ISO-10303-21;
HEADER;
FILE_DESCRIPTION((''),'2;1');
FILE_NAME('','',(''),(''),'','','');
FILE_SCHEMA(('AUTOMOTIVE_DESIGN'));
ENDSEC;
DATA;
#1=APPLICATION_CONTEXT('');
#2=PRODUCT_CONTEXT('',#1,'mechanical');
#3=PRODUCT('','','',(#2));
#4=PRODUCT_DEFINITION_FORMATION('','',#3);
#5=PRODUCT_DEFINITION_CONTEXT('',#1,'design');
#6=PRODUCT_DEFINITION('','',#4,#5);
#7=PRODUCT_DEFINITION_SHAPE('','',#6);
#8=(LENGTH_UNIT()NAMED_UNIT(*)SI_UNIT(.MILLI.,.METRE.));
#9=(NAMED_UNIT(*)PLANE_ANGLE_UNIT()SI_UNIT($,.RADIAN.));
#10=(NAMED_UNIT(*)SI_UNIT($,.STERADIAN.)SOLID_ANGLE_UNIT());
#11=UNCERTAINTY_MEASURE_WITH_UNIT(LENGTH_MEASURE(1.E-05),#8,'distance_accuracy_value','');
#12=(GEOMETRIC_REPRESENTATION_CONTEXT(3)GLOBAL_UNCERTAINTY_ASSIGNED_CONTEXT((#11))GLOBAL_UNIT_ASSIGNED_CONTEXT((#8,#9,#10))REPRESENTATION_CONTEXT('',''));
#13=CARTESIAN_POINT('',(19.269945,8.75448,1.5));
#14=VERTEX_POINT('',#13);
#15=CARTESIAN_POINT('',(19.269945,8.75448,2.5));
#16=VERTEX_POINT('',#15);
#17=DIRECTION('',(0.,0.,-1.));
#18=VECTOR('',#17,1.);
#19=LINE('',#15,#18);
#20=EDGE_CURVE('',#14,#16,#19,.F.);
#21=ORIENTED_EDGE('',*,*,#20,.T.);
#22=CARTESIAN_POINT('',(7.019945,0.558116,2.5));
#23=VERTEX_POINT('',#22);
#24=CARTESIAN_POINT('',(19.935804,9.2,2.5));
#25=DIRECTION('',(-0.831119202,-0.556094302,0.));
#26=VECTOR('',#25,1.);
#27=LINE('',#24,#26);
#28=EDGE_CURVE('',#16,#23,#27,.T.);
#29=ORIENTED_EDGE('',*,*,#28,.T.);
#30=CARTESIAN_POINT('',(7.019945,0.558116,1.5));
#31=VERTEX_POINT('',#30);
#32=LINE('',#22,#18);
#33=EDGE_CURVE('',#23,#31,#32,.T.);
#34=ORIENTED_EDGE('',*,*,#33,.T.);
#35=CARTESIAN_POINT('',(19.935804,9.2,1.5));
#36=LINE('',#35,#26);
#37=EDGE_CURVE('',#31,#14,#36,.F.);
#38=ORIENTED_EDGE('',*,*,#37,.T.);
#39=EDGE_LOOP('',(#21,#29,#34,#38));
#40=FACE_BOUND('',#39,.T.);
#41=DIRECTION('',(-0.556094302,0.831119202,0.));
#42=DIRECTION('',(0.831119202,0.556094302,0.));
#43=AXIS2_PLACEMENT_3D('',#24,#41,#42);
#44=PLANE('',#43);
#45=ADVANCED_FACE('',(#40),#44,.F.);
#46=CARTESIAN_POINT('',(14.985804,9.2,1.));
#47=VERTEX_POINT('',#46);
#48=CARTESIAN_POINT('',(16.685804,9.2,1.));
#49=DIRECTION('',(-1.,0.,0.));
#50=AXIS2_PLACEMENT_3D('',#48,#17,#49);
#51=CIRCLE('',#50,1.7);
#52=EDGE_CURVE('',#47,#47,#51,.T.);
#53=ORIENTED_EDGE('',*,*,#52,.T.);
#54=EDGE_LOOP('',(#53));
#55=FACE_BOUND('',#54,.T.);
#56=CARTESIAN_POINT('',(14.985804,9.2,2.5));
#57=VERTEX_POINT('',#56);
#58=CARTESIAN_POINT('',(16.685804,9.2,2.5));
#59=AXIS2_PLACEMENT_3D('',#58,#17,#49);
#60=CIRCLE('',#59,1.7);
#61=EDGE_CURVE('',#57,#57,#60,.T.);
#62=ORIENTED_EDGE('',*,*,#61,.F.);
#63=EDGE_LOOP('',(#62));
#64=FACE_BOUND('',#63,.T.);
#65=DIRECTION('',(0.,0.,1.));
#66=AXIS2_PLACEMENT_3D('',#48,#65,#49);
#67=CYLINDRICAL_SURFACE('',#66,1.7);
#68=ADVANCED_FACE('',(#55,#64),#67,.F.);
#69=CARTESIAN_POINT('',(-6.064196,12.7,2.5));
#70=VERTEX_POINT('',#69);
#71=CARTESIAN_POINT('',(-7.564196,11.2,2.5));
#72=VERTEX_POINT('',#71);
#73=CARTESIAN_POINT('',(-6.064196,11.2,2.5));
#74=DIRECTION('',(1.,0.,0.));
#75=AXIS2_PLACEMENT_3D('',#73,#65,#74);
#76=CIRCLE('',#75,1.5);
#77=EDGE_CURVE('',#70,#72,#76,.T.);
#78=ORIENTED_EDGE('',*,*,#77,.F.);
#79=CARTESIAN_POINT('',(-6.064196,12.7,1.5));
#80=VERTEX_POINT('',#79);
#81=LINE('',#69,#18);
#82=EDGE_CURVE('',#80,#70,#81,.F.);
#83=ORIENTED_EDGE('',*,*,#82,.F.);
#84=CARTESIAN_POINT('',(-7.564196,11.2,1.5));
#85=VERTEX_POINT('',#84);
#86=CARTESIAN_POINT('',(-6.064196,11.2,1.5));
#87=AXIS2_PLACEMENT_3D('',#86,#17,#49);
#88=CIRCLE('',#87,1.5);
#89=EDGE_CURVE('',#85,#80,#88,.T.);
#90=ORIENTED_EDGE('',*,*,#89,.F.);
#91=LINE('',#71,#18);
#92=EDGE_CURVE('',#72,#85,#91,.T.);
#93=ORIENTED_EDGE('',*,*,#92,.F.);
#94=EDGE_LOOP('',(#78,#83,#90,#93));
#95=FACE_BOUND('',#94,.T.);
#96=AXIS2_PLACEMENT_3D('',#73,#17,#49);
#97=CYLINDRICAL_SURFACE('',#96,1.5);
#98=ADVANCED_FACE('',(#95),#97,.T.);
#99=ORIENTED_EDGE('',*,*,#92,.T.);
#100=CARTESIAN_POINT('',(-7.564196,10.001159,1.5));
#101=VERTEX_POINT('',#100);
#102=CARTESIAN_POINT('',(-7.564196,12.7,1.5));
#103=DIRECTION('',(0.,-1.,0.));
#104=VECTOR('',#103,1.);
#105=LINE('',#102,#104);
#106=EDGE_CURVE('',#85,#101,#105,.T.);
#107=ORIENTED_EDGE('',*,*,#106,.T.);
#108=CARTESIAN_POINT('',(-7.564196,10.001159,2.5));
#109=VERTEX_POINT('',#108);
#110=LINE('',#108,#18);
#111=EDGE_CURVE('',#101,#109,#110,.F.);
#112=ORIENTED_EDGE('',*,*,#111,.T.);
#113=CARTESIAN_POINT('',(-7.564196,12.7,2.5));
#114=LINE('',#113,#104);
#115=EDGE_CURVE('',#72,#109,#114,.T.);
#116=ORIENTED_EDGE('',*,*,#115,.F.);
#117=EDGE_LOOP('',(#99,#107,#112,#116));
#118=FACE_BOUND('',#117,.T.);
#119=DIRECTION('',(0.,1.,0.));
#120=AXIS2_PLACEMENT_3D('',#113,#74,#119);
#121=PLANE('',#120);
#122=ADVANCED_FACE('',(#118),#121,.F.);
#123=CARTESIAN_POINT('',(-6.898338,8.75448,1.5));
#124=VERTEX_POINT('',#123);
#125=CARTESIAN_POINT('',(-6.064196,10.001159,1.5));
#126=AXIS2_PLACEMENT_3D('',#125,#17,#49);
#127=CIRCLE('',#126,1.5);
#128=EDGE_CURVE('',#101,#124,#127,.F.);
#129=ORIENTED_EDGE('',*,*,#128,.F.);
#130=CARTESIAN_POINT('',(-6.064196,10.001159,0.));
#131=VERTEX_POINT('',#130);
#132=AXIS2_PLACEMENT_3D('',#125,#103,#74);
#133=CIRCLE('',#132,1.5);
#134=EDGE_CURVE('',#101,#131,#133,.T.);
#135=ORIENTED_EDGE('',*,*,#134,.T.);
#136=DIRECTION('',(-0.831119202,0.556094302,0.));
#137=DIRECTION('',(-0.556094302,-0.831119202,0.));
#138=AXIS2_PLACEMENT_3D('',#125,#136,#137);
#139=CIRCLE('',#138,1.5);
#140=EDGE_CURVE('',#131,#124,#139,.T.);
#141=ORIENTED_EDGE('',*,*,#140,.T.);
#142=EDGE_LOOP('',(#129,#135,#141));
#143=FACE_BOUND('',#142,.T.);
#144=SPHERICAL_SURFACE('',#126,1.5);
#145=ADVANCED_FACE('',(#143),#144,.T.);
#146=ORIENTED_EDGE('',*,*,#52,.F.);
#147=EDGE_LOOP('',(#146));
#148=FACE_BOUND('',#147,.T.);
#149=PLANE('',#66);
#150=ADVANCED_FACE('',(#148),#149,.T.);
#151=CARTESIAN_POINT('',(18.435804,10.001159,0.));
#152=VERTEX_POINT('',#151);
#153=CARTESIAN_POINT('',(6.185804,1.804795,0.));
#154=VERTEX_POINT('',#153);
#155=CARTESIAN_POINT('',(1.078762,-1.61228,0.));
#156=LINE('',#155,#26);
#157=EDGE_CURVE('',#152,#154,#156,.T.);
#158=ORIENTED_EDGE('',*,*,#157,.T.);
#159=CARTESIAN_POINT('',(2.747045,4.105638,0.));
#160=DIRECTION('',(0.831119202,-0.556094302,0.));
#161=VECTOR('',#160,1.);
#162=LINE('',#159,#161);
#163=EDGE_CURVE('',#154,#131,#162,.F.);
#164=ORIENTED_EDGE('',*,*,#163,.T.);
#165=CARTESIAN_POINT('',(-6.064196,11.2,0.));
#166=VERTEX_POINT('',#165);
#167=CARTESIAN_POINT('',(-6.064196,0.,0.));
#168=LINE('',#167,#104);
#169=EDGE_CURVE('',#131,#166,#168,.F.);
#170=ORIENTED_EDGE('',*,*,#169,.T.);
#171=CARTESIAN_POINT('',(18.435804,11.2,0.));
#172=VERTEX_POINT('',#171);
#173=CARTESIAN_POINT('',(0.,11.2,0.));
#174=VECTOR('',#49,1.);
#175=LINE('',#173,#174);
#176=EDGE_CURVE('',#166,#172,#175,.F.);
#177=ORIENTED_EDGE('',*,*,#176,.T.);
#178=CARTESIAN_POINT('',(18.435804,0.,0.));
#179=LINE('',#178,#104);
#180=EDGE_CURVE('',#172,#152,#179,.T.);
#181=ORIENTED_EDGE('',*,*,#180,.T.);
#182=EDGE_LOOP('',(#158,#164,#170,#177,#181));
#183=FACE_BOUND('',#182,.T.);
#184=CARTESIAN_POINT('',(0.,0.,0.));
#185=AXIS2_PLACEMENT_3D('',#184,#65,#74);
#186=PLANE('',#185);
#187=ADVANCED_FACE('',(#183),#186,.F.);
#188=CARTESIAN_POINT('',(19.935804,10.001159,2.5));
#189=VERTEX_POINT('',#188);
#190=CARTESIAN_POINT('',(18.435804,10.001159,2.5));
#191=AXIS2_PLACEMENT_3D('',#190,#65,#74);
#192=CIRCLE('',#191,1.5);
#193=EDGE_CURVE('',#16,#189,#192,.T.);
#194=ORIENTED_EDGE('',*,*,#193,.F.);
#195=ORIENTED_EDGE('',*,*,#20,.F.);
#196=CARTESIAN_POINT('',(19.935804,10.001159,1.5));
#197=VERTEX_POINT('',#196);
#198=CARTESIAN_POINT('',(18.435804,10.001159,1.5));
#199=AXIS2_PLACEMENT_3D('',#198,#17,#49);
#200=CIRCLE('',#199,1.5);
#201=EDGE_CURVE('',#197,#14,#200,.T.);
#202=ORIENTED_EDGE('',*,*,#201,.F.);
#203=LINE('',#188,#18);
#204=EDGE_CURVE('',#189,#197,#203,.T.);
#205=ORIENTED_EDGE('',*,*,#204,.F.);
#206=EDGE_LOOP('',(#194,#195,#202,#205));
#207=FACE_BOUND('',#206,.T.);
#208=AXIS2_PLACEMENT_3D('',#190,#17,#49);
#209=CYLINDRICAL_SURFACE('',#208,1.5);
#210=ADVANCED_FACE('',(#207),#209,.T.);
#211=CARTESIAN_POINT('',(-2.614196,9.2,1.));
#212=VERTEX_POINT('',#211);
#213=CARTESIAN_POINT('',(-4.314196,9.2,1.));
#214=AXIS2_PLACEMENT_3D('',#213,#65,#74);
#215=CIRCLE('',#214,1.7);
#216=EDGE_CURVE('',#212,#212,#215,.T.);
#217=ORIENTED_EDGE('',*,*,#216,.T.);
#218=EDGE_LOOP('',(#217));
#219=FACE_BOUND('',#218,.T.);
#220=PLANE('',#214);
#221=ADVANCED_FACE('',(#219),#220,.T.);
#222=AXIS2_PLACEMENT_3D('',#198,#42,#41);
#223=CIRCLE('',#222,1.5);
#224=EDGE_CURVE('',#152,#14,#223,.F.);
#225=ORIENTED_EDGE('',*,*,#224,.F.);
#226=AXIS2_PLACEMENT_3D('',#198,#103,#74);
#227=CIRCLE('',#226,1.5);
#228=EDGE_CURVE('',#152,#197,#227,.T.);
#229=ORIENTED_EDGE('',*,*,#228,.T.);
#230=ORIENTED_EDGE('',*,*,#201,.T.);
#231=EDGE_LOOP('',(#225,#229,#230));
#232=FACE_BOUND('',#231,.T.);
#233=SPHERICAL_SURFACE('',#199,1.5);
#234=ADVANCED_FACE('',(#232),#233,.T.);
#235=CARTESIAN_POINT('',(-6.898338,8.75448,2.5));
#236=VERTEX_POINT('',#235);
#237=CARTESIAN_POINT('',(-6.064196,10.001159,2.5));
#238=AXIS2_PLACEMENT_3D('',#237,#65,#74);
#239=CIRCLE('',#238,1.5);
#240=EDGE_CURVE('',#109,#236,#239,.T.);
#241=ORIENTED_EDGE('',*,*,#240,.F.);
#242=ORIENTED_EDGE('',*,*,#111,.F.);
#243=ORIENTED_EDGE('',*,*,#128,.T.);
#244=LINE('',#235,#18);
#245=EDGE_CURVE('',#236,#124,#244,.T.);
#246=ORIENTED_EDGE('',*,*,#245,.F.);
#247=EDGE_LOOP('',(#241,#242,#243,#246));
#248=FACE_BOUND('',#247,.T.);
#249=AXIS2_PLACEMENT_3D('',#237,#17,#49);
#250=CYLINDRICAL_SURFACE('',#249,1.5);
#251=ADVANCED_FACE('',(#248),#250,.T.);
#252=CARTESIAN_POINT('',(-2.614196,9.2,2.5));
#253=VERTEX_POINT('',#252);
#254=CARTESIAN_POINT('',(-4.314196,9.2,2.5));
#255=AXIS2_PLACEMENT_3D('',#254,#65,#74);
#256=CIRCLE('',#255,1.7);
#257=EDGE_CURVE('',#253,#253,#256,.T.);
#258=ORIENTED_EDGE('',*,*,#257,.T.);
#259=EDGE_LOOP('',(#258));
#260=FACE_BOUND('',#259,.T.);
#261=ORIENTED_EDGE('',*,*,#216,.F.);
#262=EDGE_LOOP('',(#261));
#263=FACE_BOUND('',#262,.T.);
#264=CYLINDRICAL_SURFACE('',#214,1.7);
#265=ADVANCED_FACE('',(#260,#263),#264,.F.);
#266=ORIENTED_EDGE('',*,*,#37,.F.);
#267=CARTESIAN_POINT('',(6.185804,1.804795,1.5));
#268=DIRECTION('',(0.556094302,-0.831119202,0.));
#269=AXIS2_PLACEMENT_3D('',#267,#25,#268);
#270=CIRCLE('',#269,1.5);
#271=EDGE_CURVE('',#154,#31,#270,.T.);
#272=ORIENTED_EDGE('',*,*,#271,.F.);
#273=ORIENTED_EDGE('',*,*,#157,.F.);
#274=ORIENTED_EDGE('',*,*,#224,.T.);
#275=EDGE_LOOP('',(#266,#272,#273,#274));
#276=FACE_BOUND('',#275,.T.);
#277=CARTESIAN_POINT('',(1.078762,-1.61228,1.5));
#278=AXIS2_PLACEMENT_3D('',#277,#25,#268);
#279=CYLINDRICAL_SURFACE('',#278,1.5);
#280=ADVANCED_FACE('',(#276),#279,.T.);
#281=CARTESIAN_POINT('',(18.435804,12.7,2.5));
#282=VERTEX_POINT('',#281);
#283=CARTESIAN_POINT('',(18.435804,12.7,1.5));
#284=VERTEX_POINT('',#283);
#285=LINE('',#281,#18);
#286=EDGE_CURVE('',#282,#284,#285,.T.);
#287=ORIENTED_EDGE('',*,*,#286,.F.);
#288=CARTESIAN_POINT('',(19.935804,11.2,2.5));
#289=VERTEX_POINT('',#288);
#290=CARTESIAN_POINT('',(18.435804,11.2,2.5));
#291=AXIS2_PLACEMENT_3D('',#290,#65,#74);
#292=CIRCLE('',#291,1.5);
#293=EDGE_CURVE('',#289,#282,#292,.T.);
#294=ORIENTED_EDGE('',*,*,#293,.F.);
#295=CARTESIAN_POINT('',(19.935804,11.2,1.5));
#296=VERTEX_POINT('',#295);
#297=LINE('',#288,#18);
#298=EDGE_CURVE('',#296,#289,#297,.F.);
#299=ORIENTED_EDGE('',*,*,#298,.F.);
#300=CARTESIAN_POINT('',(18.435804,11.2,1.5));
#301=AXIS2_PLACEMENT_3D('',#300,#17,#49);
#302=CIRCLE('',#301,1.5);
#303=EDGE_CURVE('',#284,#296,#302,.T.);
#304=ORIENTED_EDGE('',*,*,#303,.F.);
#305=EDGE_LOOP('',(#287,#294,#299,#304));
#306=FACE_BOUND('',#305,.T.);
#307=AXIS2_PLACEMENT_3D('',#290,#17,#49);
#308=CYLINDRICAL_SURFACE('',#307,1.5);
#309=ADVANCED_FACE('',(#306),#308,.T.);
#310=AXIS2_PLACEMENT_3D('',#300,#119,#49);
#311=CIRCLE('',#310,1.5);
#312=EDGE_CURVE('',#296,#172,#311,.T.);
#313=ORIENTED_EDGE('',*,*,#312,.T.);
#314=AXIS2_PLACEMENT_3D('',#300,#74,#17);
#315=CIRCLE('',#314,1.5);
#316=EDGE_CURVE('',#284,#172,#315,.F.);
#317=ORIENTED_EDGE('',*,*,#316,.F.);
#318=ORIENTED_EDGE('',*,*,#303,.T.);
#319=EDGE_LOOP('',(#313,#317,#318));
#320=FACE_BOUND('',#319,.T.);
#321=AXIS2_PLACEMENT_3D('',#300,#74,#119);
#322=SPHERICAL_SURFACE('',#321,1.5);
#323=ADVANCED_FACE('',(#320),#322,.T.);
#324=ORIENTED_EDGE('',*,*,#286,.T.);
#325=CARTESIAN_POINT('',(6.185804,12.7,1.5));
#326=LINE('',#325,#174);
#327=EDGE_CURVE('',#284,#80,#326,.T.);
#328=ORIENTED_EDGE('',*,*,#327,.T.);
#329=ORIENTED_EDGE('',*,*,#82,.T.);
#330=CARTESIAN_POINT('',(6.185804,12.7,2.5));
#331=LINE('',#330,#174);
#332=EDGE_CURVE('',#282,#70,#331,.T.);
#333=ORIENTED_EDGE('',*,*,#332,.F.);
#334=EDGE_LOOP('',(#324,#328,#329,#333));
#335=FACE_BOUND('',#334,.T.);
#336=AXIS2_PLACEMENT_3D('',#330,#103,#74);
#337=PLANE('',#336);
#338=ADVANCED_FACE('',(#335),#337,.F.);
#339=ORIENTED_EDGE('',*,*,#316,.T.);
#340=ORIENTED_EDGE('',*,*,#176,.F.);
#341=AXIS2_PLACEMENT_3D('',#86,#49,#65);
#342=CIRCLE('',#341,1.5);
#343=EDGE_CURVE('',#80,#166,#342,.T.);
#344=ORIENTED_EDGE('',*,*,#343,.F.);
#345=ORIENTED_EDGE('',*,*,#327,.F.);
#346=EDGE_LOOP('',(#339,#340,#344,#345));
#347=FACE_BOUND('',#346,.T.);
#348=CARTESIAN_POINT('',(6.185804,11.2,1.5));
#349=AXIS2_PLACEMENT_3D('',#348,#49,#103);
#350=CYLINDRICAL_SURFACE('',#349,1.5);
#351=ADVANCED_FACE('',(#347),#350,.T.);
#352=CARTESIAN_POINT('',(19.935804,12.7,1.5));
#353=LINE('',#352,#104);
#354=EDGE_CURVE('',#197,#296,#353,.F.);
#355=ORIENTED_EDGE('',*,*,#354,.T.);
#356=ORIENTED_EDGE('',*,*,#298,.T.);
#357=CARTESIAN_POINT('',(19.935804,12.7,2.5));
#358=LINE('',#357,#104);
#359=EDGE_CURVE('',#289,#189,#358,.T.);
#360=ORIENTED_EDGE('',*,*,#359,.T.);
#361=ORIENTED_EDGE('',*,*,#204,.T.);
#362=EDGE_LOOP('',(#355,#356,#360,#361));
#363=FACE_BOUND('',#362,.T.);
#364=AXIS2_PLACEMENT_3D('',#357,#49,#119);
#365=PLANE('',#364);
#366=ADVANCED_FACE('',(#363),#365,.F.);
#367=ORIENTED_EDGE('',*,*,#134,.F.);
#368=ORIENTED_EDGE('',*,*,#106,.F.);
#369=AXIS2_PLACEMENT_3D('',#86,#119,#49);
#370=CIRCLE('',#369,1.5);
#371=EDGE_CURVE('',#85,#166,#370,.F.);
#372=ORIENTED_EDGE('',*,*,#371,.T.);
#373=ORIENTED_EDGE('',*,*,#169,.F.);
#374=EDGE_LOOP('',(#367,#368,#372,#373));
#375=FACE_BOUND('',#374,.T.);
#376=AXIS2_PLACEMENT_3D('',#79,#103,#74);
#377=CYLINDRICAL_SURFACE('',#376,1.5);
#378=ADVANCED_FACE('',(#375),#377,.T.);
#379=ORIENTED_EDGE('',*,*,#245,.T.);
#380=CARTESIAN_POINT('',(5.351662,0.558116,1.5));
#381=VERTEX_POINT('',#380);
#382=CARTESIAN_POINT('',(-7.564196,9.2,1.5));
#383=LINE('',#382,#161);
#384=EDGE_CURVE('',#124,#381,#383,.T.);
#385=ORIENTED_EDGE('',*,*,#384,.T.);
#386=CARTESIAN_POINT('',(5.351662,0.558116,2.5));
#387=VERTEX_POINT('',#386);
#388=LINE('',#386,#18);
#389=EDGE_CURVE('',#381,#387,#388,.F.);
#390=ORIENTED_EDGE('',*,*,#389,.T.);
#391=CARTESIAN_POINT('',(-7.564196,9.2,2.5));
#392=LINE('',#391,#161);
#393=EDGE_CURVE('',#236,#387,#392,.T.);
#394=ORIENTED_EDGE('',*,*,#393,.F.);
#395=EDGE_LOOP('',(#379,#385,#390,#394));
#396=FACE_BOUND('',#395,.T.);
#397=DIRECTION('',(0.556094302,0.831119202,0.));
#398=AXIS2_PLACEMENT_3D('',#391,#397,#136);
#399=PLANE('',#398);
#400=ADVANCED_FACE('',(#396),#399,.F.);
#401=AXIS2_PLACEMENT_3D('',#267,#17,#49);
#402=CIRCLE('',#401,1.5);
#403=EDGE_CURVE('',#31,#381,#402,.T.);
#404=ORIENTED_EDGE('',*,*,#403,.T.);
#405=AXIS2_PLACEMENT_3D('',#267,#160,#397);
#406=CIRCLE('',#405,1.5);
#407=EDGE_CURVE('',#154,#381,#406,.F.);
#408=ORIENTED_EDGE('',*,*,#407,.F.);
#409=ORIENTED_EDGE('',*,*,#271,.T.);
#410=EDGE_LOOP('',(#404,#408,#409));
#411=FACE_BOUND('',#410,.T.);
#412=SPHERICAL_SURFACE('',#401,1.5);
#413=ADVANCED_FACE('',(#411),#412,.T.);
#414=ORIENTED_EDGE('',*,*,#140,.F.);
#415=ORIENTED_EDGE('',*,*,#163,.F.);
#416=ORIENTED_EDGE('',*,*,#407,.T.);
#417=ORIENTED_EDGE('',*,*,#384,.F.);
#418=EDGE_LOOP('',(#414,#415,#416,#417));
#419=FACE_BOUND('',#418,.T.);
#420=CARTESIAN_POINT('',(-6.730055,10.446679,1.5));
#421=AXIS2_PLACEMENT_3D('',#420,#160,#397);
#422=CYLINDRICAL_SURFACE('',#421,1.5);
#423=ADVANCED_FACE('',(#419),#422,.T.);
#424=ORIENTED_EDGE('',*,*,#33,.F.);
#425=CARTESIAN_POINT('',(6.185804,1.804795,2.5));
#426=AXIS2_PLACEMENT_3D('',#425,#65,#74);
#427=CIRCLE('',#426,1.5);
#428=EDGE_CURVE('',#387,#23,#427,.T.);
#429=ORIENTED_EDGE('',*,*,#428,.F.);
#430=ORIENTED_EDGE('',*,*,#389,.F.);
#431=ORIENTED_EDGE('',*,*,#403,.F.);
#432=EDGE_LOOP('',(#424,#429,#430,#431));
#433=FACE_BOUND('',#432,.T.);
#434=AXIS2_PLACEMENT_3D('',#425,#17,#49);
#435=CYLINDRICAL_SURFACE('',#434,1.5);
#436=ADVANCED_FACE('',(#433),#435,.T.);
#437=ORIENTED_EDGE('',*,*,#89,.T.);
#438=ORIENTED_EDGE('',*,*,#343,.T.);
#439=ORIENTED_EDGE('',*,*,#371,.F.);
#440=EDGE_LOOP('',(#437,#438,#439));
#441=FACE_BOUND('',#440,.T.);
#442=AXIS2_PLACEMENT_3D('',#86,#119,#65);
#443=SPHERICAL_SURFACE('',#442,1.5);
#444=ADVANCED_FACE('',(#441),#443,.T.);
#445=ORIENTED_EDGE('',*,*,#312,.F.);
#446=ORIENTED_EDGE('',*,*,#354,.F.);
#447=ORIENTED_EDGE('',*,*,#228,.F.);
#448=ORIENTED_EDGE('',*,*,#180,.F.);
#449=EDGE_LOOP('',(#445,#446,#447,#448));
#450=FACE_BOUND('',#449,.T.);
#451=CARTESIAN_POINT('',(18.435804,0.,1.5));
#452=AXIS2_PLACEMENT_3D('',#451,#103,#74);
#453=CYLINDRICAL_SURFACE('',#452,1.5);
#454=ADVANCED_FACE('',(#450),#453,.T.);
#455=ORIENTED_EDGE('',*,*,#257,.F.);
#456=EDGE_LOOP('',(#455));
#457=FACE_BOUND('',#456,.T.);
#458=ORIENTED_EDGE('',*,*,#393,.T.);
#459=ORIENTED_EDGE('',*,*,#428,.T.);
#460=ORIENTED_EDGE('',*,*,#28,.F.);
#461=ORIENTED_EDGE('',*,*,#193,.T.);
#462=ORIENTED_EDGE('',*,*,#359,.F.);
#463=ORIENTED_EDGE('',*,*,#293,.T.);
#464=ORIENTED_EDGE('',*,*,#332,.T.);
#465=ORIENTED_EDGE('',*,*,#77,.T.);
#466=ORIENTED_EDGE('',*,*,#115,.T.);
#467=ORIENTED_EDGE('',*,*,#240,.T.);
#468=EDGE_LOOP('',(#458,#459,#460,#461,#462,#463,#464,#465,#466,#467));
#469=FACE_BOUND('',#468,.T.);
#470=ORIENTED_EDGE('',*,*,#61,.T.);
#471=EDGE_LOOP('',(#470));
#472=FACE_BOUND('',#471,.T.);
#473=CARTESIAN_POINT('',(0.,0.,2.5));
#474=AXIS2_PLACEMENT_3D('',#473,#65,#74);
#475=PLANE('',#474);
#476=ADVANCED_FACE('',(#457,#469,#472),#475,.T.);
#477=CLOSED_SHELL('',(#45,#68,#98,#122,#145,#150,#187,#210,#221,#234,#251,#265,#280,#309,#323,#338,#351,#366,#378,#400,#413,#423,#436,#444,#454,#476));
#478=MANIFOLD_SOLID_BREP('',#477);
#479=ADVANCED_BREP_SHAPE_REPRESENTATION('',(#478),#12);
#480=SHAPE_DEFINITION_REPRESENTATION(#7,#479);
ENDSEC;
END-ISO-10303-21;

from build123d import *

# Parameters (mm, degrees)
BOSS_EXTRUDE1_DEPTH = 2.5
SKETCH2_R           = 1.7
CUT_EXTRUDE1_DEPTH  = 1.5
FILLET1_R           = 1.5


with BuildPart() as part:
    # Sketch1 → Boss-Extrude1 (new body)
    with BuildSketch(Plane.XY):
        Polygon((-7.56419618, 12.7), (-7.56419618, 9.2), (6.18580382, 0), (6.18580382, 12.7), align=None)
    extrude(amount=BOSS_EXTRUDE1_DEPTH)

    # Sketch2 → Cut-Extrude1 (cut)
    with BuildSketch(Plane.XY.offset(2.5)):
        with Locations((-4.31419618, 9.2)):
            Circle(SKETCH2_R)
    extrude(amount=-CUT_EXTRUDE1_DEPTH, mode=Mode.SUBTRACT)

    # Mirror2: part across plane


with BuildPart() as part_1:
    add(part.part)
    add(part.part.mirror(Plane(origin=(6.18580382, 0, 2.5), x_dir=(0, 0, 1), z_dir=(-1, 0, 0))))

    # Fillet1
    fillet1_edges = [part_1.edges().sort_by_distance(p)[0] for p in [
        (19.93580382, 12.7, 1.25),
        (19.93580382, 9.2, 1.25),
        (6.18580382, 0, 1.25),
        (19.93580382, 10.95, 0),
        (13.06080382, 4.6, 0),
        (-0.68919618, 4.6, 0),
        (-7.56419618, 10.95, 0),
        (6.18580382, 12.7, 0),
        (-7.56419618, 9.2, 1.25),
        (-7.56419618, 12.7, 1.25),
    ]]
    fillet(fillet1_edges, radius=FILLET1_R)


solid = part_1.part
